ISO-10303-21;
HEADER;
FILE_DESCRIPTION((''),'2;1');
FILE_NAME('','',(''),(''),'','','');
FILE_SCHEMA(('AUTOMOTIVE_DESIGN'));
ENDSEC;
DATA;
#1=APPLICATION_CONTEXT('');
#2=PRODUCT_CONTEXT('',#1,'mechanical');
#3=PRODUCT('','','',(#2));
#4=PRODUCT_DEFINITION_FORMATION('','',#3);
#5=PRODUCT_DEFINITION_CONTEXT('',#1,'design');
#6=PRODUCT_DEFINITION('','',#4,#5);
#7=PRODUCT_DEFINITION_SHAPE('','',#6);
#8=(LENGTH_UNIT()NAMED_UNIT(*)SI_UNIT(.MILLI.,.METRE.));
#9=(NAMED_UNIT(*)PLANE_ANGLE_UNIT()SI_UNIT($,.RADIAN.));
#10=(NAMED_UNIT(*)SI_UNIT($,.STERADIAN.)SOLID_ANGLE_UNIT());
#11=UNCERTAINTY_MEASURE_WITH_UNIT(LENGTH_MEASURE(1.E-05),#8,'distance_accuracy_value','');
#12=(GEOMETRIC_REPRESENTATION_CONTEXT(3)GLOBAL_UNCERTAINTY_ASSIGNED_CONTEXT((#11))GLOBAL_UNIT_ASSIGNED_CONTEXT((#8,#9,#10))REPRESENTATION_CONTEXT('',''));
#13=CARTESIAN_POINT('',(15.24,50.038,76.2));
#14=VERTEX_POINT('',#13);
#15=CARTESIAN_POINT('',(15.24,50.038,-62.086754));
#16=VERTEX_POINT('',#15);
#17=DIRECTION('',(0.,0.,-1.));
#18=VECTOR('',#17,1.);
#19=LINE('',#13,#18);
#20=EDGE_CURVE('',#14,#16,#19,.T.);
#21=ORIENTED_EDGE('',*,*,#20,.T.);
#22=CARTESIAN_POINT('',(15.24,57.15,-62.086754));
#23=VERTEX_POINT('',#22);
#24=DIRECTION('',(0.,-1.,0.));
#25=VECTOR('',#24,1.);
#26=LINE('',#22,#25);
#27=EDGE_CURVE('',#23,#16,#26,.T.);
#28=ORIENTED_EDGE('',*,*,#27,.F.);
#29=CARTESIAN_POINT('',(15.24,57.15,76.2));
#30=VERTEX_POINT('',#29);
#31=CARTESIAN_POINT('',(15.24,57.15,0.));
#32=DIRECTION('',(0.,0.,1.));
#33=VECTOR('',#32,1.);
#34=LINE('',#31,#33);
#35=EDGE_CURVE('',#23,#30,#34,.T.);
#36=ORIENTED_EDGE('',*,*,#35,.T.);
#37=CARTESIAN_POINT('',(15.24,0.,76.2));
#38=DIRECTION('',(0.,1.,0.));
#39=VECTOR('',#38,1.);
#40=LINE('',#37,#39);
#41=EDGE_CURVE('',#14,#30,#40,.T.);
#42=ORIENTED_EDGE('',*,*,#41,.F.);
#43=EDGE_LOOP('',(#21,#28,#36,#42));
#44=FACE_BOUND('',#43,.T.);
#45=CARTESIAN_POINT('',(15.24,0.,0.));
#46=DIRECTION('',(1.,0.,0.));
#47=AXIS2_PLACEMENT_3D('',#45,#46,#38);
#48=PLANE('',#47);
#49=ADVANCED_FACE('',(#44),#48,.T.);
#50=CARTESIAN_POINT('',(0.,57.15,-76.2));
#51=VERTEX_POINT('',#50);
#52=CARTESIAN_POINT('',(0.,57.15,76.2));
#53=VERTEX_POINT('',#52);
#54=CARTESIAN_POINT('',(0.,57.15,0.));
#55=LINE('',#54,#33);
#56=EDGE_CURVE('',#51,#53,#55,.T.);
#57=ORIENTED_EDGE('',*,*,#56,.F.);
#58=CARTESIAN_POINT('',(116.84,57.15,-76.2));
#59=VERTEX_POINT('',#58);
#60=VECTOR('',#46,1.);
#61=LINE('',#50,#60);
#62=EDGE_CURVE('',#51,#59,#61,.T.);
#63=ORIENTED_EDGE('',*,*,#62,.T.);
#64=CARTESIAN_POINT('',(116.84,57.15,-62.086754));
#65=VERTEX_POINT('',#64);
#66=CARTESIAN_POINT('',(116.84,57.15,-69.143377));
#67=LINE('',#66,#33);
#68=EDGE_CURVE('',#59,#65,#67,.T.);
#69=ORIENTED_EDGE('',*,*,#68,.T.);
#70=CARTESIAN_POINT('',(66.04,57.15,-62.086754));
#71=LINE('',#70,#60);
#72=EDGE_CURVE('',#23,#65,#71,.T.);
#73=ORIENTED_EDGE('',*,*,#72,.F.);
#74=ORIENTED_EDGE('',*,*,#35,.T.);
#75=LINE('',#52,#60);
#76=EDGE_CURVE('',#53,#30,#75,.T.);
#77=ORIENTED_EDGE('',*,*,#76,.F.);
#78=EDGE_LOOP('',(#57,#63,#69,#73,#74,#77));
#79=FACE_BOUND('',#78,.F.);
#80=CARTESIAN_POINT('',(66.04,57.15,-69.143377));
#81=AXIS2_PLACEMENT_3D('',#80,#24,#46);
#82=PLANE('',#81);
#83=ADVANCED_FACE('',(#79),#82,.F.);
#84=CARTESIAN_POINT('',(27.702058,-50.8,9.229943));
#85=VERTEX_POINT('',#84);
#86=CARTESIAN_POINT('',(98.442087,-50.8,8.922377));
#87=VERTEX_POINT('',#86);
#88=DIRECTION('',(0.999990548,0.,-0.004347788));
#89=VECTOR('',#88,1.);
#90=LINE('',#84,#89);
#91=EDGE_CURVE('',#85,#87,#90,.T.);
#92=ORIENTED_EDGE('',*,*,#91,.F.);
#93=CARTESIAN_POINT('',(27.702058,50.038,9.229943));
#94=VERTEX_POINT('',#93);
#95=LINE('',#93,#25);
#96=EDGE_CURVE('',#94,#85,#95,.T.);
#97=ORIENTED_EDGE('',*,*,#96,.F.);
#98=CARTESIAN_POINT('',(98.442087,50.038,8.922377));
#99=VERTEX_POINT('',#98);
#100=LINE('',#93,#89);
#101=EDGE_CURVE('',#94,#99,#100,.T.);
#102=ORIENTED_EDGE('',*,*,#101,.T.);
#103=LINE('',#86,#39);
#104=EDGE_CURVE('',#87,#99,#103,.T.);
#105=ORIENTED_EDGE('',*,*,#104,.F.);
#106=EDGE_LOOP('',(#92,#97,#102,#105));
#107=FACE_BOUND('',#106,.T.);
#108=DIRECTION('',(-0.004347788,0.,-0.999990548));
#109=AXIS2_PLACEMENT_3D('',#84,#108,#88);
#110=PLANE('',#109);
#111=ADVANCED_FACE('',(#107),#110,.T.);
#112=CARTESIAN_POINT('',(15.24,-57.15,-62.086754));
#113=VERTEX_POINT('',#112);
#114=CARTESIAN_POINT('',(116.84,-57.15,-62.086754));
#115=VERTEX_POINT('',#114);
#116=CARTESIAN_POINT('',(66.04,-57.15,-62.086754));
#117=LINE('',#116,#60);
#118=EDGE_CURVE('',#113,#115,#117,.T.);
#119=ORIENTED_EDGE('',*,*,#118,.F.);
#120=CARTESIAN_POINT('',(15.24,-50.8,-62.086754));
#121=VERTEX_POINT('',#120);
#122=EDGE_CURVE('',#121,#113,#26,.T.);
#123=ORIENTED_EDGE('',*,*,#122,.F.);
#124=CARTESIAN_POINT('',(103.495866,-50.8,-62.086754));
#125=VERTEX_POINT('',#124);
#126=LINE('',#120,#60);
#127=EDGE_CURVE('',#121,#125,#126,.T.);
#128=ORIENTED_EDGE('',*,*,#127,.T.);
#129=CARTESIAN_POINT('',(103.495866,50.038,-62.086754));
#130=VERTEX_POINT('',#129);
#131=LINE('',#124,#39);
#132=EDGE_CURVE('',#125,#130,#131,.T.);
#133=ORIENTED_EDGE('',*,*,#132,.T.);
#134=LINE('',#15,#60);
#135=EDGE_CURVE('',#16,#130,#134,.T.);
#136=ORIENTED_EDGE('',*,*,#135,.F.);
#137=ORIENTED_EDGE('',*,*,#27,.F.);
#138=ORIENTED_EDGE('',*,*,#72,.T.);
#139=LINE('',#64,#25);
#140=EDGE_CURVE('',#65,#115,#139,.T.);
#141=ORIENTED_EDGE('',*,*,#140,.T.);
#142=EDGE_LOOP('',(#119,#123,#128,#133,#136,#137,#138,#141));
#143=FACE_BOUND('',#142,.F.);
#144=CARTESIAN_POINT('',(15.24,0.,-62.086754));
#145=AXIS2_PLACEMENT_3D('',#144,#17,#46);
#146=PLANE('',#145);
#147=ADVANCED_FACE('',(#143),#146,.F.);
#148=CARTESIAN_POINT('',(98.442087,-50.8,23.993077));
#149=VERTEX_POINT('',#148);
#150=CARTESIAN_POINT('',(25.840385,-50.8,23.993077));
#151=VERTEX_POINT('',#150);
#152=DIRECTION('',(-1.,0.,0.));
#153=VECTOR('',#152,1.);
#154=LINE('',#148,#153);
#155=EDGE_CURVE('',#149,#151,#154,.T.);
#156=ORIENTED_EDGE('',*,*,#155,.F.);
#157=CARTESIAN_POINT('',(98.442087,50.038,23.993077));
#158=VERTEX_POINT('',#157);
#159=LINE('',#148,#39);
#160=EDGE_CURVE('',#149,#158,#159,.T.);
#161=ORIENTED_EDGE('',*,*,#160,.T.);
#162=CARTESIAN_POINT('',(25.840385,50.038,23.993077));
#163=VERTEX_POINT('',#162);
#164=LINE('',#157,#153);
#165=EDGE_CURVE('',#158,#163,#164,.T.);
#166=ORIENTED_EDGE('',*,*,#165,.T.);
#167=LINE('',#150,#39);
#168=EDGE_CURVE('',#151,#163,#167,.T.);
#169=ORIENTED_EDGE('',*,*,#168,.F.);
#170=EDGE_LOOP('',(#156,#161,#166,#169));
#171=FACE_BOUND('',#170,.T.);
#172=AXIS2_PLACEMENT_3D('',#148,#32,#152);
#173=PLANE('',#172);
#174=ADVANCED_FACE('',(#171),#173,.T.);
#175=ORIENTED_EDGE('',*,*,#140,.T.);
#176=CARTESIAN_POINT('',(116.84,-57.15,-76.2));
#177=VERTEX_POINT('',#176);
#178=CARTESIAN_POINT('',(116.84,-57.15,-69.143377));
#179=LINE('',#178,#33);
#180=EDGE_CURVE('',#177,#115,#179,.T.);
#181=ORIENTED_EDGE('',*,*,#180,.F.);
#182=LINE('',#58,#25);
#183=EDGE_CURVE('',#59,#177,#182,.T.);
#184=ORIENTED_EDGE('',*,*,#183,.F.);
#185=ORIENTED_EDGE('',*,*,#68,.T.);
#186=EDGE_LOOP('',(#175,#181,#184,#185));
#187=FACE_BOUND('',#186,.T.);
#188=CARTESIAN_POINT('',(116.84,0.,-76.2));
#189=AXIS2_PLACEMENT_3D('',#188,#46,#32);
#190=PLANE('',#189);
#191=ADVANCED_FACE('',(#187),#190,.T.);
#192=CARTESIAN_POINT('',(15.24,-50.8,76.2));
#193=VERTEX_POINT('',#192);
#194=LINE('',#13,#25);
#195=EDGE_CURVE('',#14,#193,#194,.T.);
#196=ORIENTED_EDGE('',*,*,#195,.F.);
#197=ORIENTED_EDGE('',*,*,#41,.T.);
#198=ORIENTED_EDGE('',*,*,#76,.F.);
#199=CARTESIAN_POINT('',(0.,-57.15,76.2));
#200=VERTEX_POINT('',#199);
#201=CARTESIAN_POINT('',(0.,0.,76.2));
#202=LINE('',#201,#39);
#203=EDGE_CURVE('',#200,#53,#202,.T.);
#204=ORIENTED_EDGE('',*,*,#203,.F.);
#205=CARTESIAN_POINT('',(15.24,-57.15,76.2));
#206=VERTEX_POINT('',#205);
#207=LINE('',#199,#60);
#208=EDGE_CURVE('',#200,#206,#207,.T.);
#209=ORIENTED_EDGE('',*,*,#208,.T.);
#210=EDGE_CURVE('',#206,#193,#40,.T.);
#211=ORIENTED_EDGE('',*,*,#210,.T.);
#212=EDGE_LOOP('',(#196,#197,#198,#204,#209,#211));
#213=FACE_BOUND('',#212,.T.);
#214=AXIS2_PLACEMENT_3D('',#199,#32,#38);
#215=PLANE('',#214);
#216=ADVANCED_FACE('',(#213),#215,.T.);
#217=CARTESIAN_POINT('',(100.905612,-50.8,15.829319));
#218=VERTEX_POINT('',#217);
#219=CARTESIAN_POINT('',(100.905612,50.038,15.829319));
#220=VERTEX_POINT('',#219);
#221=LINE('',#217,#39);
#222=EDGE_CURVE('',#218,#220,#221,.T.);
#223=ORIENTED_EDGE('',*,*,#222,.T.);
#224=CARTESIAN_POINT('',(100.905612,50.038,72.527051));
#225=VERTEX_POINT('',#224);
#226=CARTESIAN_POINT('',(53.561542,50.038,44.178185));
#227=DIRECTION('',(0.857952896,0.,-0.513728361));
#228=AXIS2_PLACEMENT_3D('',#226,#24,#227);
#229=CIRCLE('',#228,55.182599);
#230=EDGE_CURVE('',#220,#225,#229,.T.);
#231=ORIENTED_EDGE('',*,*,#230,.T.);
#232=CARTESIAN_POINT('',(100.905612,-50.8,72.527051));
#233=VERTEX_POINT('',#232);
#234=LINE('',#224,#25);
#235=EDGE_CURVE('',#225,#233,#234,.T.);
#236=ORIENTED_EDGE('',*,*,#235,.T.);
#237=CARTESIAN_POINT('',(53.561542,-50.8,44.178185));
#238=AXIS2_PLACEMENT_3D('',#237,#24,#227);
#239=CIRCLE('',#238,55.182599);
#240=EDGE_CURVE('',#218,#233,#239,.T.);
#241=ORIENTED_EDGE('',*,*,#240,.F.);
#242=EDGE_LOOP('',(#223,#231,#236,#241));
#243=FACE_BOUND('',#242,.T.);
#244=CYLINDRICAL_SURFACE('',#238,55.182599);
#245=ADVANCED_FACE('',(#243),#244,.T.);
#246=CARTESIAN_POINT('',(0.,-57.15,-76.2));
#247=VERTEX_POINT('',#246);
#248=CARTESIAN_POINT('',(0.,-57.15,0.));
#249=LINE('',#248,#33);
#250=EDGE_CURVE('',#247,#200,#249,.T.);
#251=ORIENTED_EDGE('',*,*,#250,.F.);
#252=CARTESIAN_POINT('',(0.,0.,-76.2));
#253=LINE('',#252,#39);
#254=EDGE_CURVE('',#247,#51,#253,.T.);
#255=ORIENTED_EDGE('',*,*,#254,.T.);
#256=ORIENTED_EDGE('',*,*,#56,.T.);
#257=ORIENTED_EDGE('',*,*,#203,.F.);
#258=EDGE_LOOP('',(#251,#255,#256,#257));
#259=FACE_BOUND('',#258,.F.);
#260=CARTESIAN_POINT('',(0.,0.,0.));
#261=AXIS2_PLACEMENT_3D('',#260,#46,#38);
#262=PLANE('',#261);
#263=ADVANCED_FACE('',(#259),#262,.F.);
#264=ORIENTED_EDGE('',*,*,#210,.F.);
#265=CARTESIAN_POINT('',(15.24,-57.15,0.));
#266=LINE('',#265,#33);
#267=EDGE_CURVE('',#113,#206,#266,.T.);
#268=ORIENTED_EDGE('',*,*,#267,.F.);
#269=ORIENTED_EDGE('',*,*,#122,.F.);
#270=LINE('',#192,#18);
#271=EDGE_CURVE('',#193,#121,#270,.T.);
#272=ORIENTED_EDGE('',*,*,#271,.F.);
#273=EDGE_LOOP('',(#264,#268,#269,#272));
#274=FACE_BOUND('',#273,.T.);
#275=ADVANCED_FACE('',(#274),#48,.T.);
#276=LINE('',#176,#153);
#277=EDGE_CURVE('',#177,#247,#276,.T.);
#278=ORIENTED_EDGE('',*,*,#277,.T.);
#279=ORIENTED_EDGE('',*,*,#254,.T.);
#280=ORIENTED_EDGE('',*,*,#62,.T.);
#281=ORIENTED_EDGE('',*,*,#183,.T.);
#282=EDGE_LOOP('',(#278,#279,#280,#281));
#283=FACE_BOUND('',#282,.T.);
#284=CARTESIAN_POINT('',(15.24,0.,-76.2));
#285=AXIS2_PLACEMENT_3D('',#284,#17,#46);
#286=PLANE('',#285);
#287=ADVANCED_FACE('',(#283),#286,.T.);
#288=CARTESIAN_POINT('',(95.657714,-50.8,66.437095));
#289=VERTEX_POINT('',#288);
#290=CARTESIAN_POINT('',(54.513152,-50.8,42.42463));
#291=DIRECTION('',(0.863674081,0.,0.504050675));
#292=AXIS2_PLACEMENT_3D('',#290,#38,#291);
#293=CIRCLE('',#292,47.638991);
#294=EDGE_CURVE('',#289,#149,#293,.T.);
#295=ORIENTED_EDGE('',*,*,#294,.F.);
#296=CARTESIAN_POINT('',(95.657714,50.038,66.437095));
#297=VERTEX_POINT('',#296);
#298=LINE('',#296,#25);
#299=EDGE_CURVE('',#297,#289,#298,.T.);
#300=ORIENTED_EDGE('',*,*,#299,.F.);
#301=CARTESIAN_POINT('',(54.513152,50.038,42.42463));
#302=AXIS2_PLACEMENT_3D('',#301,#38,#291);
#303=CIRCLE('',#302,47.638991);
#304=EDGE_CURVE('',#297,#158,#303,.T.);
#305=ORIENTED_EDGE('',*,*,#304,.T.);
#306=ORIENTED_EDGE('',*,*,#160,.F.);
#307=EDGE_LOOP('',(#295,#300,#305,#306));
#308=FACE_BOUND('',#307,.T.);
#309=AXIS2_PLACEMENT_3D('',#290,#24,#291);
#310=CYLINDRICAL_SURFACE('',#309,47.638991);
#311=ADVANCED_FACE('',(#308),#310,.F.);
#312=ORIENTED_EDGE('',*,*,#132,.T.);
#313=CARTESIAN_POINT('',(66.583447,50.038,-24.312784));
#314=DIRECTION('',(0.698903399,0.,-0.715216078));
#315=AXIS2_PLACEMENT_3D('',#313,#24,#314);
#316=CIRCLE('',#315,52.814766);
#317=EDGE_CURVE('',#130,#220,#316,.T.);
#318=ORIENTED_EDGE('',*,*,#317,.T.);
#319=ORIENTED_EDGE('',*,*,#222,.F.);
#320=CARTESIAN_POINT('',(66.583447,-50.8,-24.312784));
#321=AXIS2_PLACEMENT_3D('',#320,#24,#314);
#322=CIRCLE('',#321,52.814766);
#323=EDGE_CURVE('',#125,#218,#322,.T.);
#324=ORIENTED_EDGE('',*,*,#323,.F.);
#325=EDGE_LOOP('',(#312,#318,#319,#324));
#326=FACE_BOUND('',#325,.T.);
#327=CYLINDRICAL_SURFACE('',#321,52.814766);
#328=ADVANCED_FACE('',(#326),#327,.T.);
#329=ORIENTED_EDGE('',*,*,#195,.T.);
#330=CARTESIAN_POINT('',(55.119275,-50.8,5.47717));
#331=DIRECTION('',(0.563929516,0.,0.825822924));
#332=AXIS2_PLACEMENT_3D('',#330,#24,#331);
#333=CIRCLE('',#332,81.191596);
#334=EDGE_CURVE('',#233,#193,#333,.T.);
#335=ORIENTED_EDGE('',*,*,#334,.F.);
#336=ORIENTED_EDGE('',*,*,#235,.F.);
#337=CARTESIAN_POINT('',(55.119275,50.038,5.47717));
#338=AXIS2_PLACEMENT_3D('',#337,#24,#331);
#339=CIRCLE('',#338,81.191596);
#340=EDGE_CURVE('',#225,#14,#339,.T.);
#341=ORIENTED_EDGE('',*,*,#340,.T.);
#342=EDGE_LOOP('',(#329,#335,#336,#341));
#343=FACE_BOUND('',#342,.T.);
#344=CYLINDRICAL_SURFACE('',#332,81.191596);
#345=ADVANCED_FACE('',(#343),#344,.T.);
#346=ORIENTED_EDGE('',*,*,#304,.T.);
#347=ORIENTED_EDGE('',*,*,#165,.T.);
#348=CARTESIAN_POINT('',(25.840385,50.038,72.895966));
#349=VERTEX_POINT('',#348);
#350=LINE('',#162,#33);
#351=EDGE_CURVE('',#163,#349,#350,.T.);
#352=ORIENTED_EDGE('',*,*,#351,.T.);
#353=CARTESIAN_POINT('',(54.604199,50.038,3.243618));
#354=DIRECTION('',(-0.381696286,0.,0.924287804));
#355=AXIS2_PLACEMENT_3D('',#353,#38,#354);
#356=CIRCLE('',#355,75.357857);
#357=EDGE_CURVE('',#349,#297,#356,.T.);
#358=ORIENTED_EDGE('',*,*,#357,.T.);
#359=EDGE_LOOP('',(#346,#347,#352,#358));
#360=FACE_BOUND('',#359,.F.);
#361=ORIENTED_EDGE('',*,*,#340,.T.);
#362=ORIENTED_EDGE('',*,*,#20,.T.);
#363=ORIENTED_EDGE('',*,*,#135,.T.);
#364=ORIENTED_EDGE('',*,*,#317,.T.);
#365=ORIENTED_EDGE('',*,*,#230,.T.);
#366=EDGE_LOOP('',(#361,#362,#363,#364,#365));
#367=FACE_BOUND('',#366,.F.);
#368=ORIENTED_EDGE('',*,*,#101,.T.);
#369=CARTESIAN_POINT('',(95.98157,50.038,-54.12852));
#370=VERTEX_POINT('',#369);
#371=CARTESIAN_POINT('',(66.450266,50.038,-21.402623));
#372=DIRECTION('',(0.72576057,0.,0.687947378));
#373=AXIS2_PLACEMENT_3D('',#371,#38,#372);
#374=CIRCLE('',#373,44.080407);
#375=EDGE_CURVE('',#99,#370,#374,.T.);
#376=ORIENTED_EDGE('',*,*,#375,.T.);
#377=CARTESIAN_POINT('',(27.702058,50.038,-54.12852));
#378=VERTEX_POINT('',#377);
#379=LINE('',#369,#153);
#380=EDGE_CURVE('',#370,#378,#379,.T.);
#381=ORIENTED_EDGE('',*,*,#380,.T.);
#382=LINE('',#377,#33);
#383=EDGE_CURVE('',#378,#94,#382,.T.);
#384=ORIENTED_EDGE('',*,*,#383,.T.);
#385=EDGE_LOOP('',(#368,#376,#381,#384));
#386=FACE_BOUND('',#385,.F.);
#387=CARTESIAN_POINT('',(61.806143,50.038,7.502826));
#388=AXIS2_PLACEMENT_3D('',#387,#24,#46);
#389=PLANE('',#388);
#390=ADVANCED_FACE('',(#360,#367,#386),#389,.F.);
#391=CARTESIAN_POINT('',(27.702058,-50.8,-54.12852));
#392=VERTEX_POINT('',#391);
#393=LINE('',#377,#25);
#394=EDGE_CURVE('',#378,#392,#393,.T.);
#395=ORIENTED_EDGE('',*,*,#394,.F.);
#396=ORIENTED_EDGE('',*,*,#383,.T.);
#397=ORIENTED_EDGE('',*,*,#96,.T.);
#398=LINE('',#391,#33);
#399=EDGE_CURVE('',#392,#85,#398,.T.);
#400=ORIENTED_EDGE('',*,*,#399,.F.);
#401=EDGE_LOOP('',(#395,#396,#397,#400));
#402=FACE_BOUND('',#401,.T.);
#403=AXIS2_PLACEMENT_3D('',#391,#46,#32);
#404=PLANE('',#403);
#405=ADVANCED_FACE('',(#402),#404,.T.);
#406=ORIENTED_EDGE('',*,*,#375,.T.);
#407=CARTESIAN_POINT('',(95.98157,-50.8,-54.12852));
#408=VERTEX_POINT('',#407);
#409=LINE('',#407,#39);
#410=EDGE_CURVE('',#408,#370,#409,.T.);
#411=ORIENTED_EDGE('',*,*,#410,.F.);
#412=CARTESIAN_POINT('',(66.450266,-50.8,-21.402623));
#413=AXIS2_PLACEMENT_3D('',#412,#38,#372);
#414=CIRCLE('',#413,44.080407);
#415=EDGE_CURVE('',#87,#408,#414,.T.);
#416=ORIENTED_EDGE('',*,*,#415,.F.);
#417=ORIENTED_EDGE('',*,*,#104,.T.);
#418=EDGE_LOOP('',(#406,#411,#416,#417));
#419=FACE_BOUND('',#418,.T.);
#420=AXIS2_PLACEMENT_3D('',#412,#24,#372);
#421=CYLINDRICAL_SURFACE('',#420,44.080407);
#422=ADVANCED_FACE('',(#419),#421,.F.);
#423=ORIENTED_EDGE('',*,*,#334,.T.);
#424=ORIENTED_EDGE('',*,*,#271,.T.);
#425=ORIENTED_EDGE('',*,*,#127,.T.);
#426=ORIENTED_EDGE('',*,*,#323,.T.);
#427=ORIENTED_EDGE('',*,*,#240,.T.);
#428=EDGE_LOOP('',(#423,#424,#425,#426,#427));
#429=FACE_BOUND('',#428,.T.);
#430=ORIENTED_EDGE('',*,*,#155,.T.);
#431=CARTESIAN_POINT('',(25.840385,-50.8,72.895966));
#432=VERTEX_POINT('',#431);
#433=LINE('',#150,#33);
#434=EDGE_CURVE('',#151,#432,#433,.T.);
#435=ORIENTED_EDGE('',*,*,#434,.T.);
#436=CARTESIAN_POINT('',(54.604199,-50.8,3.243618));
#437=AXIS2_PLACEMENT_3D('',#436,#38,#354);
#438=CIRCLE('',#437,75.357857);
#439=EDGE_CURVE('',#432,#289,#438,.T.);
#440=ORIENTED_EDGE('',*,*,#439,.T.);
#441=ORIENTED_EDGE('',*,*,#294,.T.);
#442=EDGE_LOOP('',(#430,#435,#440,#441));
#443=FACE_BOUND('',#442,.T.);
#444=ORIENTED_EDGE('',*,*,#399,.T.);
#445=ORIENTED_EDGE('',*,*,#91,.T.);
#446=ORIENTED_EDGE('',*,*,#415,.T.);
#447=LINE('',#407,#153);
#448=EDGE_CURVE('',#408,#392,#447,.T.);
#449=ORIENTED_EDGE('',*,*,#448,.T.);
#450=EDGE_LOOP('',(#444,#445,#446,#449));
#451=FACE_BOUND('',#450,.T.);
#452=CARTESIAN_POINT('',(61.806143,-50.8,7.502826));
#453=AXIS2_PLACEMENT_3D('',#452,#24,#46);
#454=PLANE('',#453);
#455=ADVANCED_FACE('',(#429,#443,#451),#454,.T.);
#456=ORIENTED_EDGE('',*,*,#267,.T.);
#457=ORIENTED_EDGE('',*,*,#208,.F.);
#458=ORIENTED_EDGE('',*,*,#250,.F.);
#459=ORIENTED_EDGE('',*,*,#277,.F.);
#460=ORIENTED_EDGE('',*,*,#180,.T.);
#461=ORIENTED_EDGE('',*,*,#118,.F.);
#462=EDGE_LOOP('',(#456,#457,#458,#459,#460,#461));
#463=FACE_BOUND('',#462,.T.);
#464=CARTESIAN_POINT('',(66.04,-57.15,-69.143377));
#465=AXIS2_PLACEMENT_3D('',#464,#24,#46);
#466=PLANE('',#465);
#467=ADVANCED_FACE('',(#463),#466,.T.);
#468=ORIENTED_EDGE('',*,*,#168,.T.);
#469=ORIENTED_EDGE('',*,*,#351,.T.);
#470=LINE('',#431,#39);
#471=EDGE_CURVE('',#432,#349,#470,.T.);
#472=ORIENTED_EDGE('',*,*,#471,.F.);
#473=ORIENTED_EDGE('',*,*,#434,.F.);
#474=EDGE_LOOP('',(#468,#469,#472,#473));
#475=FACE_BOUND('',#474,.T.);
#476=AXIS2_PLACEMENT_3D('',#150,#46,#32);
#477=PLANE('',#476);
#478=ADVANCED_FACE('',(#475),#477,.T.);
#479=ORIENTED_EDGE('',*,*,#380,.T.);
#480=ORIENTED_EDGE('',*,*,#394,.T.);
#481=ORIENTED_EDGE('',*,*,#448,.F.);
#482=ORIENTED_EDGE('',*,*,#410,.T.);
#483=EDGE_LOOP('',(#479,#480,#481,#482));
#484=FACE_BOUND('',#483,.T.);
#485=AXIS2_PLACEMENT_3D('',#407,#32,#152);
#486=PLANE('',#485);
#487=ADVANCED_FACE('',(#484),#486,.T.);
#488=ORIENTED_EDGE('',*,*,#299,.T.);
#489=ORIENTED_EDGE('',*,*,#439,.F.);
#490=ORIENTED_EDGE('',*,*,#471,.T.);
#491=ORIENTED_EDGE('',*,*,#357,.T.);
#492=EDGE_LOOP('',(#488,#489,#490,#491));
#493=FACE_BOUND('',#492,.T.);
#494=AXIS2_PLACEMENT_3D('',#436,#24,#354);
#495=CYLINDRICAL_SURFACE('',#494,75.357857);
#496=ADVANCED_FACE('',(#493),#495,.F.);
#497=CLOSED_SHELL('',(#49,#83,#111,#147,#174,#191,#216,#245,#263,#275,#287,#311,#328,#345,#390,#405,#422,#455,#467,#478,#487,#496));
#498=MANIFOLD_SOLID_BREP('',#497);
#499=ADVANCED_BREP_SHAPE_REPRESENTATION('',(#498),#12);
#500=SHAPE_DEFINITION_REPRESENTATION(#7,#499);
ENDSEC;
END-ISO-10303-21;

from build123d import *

# Parameters (mm, degrees)
F0_W     = 114.3
F0_H     = 152.4
F1_DEPTH = 15.24
F2_W     = 101.6
F2_H     = 14.1132464528
F3_DEPTH = 57.15
F4_DEPTH = 57.15
F6_DEPTH = 50.8
F7_DEPTH = 100.838


with BuildPart() as f1:
    # F0 (on Right) → F1 (new body)
    with BuildSketch(Plane.YZ):
        Rectangle(F0_W, F0_H)
    extrude(amount=F1_DEPTH)

    # F2 (on Front) → F3 (join)
    with BuildSketch(Plane.XZ):
        with Locations((66.04, -69.1433767736)):
            Rectangle(F2_W, F2_H)
    extrude(amount=F3_DEPTH)

    # F2 (on Front) → F4 (join)
    with BuildSketch(Plane.XZ):
        with Locations((66.04, -69.1433767736)):
            Rectangle(F2_W, F2_H)
    extrude(amount=-F4_DEPTH)

    # F5 (on Front) → F6 (join)
    with BuildSketch(Plane.XZ):
        with BuildLine():
            ThreePointArc((100.9056121111, 15.8293191344), (108.7441404523, 44.1781850532), (100.9056121111, 72.527050972))
            ThreePointArc((100.9056121111, 72.527050972), (58.597203119, 86.5942412093), (15.24, 76.2))
            Line((15.24, 76.2), (15.24, -62.0867535472))
            Line((15.24, -62.0867535472), (103.4958660603, -62.0867535472))
            ThreePointArc((103.4958660603, -62.0867535472), (119.3690519034, -22.5579711646), (100.9056121111, 15.8293191344))
        make_face()
        with BuildLine():
            Line((27.7020576755, -54.1285201907), (27.7020576755, 9.2299426906))
            Line((27.7020576755, 9.2299426906), (98.4420868913, 8.9223771356))
            ThreePointArc((98.4420868913, 8.9223771356), (110.4971458699, -23.121521712), (95.9815699021, -54.1285201907))
            Line((95.9815699021, -54.1285201907), (27.7020576755, -54.1285201907))
        make_face(mode=Mode.SUBTRACT)
        with BuildLine():
            ThreePointArc((95.6577137113, 66.4370954037), (102.0499654522, 45.5430957208), (98.4420868913, 23.9930767566))
            Line((98.4420868913, 23.9930767566), (25.8403848857, 23.9930767566))
            Line((25.8403848857, 23.9930767566), (25.8403848857, 72.8959664702))
            ThreePointArc((25.8403848857, 72.8959664702), (61.5459883334, 78.2810634281), (95.6577137113, 66.4370954037))
        make_face(mode=Mode.SUBTRACT)
    extrude(amount=F6_DEPTH)

    # F7 (add): a face of the model
    f7_faces = [f1.faces().sort_by_distance(p)[0] for p in [
        (106.9281796112, -50.8, 44.1781850532),
    ]]
    extrude(f7_faces, amount=-F7_DEPTH)


solid = f1.part
